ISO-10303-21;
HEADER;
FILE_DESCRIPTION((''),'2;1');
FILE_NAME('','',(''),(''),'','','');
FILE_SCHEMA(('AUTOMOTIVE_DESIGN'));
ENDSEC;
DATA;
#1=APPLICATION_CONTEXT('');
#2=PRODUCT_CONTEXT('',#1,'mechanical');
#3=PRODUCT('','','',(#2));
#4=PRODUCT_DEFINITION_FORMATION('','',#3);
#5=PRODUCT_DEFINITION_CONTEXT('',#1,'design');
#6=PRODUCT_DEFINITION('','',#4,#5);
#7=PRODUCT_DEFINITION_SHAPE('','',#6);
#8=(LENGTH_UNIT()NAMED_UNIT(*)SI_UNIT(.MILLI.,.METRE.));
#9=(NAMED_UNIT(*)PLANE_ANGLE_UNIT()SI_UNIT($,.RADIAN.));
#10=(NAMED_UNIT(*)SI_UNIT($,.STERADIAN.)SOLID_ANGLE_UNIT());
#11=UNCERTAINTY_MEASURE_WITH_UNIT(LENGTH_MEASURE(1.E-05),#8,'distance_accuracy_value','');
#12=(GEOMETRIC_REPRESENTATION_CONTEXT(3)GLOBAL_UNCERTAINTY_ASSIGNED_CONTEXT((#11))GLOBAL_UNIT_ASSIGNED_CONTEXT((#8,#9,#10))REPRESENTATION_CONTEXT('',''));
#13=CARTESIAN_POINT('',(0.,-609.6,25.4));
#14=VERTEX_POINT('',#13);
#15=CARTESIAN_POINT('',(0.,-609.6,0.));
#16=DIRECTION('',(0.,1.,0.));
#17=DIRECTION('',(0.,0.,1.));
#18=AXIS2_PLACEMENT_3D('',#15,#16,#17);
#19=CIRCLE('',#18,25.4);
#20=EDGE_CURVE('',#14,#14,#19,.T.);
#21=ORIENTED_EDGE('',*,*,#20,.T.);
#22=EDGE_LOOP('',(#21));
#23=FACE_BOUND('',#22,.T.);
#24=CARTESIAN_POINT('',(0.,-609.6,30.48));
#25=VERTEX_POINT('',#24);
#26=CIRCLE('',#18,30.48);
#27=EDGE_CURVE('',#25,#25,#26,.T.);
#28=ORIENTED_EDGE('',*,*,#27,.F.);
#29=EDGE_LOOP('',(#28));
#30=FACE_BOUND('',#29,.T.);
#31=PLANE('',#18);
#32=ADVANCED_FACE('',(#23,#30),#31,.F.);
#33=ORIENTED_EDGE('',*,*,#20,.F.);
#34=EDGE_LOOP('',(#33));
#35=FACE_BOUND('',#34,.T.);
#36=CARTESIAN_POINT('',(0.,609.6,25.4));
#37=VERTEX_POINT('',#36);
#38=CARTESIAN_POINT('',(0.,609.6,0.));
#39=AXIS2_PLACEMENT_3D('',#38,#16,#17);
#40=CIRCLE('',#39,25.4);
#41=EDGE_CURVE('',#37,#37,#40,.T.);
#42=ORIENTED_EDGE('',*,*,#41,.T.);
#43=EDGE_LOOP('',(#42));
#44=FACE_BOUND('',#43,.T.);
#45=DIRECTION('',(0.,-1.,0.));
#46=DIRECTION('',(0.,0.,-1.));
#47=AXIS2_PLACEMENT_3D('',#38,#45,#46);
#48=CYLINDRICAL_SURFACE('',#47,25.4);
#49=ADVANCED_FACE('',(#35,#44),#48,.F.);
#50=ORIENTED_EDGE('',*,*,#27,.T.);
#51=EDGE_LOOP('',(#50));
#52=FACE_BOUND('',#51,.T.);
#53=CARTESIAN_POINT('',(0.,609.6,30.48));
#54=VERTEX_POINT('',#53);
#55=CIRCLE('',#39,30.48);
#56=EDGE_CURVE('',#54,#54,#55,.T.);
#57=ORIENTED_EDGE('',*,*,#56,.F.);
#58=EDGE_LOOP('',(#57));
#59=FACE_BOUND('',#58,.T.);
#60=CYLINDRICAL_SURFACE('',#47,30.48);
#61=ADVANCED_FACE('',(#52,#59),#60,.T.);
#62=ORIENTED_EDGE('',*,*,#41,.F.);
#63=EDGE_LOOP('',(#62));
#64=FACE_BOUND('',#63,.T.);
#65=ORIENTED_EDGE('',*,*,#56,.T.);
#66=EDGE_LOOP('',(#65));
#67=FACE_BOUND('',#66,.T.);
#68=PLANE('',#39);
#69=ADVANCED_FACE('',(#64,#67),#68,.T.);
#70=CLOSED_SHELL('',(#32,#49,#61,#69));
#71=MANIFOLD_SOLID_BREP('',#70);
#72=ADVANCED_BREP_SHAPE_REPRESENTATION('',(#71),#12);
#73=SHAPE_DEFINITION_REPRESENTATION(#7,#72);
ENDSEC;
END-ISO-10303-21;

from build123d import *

# Parameters (mm, degrees)
SKETCH1_R           = 30.48
SKETCH1_R_2         = 25.4
BOSS_EXTRUDE1_DEPTH = 609.6


with BuildPart() as part:
    # Sketch1 → Boss-Extrude1 (new body, symmetric)
    with BuildSketch(Plane(origin=(0, 0, 0), x_dir=(1, 0, 0), z_dir=(0, 1, 0))):
        Circle(SKETCH1_R)
        Circle(SKETCH1_R_2, mode=Mode.SUBTRACT)
    extrude(amount=BOSS_EXTRUDE1_DEPTH, both=True)


solid = part.part
